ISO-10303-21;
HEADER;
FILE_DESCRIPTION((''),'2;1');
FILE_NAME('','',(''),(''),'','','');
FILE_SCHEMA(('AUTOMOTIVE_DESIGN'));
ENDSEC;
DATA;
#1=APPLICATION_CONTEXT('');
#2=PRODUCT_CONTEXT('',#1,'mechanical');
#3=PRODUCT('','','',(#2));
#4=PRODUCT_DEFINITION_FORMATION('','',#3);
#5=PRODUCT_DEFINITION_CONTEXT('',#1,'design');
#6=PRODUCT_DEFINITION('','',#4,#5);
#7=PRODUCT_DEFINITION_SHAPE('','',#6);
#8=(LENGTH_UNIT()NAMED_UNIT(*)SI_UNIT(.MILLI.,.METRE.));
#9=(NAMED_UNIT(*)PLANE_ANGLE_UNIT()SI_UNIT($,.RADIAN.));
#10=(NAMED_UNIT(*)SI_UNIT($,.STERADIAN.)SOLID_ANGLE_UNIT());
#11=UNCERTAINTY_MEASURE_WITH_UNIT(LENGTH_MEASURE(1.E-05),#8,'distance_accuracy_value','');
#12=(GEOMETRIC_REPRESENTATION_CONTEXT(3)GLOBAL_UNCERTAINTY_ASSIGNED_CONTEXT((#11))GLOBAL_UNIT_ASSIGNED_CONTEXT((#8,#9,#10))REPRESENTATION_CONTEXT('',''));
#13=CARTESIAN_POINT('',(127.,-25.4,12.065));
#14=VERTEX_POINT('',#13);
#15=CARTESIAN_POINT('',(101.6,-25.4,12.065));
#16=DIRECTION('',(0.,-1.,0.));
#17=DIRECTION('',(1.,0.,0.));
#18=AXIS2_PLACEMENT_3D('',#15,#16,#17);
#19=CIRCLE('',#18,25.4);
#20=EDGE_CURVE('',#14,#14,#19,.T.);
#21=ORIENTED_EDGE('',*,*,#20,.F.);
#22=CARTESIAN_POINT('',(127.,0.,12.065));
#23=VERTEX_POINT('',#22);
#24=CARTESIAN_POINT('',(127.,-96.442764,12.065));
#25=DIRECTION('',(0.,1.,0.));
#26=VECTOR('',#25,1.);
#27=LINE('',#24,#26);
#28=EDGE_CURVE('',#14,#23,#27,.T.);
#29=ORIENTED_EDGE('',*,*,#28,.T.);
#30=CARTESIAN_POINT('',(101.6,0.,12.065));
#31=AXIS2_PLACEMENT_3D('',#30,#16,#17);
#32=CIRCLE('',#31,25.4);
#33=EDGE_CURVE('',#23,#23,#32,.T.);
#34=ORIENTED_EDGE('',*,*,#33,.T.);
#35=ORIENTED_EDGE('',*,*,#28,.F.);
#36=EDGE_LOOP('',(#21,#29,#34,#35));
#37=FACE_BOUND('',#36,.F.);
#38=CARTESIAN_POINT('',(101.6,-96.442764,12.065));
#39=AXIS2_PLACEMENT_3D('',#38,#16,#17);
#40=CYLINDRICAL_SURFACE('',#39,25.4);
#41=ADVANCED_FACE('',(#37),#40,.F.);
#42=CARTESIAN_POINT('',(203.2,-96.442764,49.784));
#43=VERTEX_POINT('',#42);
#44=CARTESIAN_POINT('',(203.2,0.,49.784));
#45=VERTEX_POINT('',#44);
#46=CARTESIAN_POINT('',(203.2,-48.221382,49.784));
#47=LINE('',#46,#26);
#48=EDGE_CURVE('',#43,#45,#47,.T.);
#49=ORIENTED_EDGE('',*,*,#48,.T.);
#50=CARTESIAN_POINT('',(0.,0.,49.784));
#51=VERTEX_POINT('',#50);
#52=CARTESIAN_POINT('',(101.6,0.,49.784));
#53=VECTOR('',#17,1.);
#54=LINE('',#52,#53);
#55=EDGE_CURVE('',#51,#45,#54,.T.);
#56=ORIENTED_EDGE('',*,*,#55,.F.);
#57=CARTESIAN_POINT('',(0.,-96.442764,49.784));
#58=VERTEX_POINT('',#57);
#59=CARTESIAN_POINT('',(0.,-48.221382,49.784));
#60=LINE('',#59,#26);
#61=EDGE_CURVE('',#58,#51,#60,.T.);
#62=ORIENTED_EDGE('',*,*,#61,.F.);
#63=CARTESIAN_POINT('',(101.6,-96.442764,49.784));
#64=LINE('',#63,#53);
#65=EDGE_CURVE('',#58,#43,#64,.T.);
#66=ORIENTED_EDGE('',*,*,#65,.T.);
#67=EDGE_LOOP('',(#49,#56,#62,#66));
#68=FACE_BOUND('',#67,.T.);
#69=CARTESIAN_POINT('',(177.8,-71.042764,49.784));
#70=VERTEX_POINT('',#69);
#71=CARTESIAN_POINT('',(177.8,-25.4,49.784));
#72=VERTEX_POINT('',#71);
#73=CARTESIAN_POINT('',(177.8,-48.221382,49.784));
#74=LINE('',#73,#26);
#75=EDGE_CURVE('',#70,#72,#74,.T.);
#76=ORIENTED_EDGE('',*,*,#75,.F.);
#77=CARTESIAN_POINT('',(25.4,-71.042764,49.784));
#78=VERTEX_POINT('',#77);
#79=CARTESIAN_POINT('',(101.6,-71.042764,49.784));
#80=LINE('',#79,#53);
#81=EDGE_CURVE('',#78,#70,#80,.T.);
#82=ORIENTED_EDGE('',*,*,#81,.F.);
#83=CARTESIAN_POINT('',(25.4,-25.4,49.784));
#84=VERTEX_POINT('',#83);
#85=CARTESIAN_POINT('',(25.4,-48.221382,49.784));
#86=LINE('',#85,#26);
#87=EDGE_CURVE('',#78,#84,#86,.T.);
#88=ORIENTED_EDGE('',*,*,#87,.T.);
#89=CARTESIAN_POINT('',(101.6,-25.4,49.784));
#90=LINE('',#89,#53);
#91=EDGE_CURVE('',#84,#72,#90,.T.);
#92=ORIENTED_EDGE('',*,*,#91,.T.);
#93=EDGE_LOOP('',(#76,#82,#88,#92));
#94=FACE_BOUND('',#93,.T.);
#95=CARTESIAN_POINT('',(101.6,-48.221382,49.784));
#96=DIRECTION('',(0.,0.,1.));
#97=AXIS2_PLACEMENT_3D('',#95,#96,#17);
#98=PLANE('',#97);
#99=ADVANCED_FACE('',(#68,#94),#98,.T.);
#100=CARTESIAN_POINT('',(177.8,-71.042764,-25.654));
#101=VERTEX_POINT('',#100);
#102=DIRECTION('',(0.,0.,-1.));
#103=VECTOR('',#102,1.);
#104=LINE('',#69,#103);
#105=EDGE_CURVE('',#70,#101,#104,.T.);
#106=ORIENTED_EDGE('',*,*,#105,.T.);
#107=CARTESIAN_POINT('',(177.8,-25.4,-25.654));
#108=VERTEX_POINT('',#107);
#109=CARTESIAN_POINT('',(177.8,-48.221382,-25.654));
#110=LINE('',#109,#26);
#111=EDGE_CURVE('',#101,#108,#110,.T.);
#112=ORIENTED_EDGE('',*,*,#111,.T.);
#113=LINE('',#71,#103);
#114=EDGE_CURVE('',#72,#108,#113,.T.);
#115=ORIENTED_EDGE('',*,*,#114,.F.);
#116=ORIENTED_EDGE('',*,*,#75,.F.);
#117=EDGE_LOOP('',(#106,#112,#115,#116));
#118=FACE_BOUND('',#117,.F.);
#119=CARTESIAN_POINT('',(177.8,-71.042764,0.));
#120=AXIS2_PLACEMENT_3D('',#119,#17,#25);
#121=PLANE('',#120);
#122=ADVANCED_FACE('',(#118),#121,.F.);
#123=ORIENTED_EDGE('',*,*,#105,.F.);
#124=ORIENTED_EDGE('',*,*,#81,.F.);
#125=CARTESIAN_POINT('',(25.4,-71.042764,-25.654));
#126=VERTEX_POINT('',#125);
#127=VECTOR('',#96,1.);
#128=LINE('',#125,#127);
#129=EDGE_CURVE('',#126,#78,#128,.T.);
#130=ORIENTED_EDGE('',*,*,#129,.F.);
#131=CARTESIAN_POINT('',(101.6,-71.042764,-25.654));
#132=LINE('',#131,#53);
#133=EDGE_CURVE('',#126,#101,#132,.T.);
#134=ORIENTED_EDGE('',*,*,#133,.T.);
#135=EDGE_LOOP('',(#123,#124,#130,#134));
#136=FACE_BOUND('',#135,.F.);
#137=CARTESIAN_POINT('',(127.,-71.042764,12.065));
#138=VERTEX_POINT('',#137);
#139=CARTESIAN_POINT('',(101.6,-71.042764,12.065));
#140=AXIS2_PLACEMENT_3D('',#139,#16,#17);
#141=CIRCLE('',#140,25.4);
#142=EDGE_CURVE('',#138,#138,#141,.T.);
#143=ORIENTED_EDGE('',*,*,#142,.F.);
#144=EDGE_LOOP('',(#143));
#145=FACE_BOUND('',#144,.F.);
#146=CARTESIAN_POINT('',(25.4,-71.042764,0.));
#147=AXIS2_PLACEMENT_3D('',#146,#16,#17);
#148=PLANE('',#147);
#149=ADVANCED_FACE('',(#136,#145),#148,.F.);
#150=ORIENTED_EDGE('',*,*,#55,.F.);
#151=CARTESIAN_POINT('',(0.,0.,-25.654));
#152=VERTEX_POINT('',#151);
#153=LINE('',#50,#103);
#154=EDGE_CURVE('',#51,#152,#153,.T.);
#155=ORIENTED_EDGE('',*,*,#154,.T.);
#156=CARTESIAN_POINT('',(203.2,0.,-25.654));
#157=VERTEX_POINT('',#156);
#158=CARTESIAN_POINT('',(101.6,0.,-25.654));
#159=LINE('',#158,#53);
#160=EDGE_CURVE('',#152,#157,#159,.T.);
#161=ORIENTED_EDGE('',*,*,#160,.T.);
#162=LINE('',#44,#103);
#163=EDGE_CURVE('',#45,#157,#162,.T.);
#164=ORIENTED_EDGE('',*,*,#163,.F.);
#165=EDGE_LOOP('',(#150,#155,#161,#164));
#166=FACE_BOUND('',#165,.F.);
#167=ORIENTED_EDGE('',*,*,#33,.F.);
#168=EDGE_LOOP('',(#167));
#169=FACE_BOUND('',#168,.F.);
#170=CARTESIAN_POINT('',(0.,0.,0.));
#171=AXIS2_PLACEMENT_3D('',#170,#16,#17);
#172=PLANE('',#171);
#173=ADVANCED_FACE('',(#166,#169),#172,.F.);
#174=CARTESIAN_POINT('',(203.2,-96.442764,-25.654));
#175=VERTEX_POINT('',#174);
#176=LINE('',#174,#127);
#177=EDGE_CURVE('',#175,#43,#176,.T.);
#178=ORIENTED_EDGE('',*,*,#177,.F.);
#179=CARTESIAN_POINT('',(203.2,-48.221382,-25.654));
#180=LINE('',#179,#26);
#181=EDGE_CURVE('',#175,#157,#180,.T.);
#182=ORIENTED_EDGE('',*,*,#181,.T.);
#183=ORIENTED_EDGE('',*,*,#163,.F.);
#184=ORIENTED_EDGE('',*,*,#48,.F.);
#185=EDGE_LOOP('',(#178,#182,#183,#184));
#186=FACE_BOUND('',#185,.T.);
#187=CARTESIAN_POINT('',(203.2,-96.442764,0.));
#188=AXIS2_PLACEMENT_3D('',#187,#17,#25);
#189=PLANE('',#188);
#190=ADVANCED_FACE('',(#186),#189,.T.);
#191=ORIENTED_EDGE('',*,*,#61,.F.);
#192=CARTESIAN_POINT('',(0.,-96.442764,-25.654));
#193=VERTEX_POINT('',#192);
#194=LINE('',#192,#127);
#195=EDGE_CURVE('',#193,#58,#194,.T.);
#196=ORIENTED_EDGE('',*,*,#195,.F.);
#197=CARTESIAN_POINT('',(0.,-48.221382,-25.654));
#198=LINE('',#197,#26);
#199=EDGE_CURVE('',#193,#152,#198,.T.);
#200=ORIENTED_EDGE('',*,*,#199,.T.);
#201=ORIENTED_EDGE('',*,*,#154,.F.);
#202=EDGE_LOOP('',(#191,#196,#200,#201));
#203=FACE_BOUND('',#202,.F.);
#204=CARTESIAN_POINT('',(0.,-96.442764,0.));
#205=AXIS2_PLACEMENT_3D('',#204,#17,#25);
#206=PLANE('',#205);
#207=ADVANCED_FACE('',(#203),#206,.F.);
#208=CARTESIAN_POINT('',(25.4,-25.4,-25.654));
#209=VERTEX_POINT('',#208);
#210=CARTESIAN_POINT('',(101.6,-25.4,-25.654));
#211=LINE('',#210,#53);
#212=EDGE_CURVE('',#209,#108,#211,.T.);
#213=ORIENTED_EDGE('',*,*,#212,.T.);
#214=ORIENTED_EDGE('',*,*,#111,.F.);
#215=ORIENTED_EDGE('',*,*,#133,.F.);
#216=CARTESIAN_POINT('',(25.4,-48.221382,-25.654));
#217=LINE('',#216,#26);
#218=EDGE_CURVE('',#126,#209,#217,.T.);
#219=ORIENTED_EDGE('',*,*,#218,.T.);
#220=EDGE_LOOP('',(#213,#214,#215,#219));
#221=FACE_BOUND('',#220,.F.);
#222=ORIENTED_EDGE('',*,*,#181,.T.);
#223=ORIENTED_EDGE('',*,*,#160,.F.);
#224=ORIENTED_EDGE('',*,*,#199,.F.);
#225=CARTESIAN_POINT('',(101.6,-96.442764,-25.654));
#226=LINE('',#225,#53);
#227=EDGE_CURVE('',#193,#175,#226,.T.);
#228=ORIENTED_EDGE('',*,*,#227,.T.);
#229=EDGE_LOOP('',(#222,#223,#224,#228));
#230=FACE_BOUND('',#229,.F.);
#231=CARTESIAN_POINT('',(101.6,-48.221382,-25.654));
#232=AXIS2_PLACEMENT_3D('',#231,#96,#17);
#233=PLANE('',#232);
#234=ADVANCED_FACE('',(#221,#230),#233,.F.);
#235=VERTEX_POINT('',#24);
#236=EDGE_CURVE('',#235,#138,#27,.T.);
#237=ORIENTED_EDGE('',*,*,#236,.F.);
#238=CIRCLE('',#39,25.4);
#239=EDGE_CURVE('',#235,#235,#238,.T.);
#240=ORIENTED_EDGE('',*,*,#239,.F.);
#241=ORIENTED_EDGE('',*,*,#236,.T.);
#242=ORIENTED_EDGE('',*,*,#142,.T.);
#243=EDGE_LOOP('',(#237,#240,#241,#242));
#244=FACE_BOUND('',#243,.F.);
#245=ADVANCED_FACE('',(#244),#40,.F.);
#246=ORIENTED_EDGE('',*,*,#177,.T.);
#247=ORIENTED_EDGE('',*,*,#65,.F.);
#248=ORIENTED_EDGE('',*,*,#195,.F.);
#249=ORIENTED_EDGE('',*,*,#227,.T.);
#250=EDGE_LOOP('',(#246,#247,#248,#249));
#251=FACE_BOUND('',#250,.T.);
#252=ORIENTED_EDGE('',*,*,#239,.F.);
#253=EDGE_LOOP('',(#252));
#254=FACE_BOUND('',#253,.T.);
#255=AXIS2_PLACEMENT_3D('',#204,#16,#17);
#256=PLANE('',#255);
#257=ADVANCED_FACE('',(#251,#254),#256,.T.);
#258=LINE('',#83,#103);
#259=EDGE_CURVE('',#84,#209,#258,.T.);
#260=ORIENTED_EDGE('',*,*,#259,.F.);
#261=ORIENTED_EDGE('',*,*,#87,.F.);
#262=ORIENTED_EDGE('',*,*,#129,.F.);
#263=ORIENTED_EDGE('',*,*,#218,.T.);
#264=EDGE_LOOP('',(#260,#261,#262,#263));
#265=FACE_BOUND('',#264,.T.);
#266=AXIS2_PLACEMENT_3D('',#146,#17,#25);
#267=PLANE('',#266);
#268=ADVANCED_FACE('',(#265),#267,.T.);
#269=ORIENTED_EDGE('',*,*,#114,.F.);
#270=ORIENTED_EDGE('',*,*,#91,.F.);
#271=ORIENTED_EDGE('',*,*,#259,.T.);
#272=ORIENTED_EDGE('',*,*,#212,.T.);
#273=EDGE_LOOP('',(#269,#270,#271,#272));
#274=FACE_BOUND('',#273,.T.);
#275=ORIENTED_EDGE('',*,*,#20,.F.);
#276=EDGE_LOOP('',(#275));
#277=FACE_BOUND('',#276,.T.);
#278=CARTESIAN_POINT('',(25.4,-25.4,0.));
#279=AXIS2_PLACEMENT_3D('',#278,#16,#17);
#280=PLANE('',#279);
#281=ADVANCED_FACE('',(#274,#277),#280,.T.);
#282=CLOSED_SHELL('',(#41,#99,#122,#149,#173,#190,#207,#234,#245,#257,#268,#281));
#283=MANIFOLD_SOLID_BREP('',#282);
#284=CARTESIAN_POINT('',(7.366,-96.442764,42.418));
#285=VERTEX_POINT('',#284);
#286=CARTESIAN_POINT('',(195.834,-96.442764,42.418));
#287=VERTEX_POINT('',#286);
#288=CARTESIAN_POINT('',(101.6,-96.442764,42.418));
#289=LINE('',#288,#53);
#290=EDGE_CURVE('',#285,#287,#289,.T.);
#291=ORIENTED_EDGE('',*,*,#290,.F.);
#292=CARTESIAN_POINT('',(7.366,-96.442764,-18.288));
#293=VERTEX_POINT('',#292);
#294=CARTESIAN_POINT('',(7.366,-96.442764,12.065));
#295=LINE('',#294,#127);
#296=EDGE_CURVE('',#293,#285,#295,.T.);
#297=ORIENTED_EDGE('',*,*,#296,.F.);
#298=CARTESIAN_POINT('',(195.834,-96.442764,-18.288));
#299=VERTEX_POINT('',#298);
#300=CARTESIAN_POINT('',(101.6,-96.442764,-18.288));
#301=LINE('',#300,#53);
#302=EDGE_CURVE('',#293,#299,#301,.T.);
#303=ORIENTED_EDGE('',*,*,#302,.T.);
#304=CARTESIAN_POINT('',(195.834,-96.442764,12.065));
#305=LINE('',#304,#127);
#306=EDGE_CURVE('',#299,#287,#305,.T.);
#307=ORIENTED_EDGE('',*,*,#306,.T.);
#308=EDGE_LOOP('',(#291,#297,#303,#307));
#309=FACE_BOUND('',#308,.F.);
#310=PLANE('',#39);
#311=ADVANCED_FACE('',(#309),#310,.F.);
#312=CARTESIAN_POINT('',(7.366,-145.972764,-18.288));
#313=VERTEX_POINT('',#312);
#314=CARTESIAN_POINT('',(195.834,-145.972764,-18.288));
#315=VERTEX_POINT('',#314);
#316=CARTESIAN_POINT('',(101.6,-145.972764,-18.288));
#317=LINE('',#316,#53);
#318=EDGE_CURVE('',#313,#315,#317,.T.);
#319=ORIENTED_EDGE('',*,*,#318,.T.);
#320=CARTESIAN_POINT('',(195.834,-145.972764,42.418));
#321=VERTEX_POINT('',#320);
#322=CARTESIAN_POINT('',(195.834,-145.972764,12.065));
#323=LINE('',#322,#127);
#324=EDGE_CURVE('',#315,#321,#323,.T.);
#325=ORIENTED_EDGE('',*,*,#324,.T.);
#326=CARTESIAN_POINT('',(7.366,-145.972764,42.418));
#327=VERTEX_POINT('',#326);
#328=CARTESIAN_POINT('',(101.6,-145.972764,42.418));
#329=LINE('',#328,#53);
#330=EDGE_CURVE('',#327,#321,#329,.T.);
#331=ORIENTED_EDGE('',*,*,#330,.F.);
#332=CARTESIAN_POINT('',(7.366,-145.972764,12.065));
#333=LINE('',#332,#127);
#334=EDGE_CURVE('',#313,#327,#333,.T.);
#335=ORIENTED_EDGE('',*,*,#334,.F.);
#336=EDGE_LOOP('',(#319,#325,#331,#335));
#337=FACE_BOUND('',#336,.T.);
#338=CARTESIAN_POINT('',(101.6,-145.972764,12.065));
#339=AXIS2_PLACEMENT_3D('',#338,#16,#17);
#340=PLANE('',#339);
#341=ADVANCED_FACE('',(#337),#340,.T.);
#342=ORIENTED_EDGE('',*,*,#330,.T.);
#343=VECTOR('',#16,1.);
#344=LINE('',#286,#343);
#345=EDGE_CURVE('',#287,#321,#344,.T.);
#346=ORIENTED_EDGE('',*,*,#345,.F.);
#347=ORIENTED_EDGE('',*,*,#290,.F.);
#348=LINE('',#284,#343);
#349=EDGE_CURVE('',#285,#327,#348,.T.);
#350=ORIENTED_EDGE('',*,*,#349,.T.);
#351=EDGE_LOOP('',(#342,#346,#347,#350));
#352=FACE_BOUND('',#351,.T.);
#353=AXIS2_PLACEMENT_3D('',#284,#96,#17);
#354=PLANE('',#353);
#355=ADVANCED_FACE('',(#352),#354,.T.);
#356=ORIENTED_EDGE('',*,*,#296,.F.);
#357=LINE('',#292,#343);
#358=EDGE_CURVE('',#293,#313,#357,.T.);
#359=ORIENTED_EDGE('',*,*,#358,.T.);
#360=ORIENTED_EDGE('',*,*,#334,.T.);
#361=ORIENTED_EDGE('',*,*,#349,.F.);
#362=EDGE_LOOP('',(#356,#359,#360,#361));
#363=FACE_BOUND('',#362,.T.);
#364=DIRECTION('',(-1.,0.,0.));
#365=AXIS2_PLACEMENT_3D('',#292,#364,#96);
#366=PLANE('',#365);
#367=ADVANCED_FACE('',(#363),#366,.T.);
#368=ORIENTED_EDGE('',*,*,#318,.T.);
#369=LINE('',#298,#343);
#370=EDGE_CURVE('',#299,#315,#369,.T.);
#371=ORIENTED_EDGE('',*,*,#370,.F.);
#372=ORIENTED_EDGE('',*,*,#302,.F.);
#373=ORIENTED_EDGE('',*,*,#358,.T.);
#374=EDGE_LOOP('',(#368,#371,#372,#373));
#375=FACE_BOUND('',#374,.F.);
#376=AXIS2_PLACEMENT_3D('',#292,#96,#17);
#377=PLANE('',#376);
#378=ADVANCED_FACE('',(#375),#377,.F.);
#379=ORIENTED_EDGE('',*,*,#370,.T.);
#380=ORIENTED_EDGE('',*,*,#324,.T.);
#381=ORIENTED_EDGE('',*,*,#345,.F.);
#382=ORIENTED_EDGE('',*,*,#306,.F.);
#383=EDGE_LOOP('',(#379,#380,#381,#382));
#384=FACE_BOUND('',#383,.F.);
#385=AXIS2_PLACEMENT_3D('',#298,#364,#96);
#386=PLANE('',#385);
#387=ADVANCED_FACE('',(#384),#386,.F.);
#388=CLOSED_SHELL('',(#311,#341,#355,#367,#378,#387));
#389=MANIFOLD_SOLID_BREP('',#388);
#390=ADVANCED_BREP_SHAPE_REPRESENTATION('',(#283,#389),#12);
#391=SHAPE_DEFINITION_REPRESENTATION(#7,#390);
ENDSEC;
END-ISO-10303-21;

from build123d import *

# Parameters (mm, degrees)
F0_W          = 203.2
F0_H          = 96.442764
F0_W_2        = 152.4
F0_H_2        = 45.642764
F1_DEPTH      = 49.784
F1_DEPTH_BACK = 25.654
F2_R          = 25.4
F3_DEPTH      = 96.442764
F4_W          = 188.468
F4_H          = 60.706
F5_DEPTH      = 49.53


with BuildPart() as f1:
    # F0 (on Top) → F1 (new body, two sides)
    with BuildSketch(Plane.XY) as f1_sk:
        with Locations((101.6, -48.221382)):
            Rectangle(F0_W, F0_H)
        with Locations((101.6, -48.221382)):
            Rectangle(F0_W_2, F0_H_2, mode=Mode.SUBTRACT)
    extrude(amount=F1_DEPTH)
    extrude(f1_sk.sketch, amount=-F1_DEPTH_BACK)

    # F2 (on face) → F3 (cut, through all)
    with BuildSketch(Plane.XZ.offset(96.442764)):
        with Locations((101.6, 12.065)):
            Circle(F2_R)
    extrude(amount=-F3_DEPTH, mode=Mode.SUBTRACT)


with BuildPart() as f5:
    # F4 (on face) → F5 (new body)
    with BuildSketch(Plane.XZ.offset(96.442764)):
        with Locations((101.6, 12.065)):
            Rectangle(F4_W, F4_H)
    extrude(amount=F5_DEPTH)


solid = Compound([f1.part, f5.part])
